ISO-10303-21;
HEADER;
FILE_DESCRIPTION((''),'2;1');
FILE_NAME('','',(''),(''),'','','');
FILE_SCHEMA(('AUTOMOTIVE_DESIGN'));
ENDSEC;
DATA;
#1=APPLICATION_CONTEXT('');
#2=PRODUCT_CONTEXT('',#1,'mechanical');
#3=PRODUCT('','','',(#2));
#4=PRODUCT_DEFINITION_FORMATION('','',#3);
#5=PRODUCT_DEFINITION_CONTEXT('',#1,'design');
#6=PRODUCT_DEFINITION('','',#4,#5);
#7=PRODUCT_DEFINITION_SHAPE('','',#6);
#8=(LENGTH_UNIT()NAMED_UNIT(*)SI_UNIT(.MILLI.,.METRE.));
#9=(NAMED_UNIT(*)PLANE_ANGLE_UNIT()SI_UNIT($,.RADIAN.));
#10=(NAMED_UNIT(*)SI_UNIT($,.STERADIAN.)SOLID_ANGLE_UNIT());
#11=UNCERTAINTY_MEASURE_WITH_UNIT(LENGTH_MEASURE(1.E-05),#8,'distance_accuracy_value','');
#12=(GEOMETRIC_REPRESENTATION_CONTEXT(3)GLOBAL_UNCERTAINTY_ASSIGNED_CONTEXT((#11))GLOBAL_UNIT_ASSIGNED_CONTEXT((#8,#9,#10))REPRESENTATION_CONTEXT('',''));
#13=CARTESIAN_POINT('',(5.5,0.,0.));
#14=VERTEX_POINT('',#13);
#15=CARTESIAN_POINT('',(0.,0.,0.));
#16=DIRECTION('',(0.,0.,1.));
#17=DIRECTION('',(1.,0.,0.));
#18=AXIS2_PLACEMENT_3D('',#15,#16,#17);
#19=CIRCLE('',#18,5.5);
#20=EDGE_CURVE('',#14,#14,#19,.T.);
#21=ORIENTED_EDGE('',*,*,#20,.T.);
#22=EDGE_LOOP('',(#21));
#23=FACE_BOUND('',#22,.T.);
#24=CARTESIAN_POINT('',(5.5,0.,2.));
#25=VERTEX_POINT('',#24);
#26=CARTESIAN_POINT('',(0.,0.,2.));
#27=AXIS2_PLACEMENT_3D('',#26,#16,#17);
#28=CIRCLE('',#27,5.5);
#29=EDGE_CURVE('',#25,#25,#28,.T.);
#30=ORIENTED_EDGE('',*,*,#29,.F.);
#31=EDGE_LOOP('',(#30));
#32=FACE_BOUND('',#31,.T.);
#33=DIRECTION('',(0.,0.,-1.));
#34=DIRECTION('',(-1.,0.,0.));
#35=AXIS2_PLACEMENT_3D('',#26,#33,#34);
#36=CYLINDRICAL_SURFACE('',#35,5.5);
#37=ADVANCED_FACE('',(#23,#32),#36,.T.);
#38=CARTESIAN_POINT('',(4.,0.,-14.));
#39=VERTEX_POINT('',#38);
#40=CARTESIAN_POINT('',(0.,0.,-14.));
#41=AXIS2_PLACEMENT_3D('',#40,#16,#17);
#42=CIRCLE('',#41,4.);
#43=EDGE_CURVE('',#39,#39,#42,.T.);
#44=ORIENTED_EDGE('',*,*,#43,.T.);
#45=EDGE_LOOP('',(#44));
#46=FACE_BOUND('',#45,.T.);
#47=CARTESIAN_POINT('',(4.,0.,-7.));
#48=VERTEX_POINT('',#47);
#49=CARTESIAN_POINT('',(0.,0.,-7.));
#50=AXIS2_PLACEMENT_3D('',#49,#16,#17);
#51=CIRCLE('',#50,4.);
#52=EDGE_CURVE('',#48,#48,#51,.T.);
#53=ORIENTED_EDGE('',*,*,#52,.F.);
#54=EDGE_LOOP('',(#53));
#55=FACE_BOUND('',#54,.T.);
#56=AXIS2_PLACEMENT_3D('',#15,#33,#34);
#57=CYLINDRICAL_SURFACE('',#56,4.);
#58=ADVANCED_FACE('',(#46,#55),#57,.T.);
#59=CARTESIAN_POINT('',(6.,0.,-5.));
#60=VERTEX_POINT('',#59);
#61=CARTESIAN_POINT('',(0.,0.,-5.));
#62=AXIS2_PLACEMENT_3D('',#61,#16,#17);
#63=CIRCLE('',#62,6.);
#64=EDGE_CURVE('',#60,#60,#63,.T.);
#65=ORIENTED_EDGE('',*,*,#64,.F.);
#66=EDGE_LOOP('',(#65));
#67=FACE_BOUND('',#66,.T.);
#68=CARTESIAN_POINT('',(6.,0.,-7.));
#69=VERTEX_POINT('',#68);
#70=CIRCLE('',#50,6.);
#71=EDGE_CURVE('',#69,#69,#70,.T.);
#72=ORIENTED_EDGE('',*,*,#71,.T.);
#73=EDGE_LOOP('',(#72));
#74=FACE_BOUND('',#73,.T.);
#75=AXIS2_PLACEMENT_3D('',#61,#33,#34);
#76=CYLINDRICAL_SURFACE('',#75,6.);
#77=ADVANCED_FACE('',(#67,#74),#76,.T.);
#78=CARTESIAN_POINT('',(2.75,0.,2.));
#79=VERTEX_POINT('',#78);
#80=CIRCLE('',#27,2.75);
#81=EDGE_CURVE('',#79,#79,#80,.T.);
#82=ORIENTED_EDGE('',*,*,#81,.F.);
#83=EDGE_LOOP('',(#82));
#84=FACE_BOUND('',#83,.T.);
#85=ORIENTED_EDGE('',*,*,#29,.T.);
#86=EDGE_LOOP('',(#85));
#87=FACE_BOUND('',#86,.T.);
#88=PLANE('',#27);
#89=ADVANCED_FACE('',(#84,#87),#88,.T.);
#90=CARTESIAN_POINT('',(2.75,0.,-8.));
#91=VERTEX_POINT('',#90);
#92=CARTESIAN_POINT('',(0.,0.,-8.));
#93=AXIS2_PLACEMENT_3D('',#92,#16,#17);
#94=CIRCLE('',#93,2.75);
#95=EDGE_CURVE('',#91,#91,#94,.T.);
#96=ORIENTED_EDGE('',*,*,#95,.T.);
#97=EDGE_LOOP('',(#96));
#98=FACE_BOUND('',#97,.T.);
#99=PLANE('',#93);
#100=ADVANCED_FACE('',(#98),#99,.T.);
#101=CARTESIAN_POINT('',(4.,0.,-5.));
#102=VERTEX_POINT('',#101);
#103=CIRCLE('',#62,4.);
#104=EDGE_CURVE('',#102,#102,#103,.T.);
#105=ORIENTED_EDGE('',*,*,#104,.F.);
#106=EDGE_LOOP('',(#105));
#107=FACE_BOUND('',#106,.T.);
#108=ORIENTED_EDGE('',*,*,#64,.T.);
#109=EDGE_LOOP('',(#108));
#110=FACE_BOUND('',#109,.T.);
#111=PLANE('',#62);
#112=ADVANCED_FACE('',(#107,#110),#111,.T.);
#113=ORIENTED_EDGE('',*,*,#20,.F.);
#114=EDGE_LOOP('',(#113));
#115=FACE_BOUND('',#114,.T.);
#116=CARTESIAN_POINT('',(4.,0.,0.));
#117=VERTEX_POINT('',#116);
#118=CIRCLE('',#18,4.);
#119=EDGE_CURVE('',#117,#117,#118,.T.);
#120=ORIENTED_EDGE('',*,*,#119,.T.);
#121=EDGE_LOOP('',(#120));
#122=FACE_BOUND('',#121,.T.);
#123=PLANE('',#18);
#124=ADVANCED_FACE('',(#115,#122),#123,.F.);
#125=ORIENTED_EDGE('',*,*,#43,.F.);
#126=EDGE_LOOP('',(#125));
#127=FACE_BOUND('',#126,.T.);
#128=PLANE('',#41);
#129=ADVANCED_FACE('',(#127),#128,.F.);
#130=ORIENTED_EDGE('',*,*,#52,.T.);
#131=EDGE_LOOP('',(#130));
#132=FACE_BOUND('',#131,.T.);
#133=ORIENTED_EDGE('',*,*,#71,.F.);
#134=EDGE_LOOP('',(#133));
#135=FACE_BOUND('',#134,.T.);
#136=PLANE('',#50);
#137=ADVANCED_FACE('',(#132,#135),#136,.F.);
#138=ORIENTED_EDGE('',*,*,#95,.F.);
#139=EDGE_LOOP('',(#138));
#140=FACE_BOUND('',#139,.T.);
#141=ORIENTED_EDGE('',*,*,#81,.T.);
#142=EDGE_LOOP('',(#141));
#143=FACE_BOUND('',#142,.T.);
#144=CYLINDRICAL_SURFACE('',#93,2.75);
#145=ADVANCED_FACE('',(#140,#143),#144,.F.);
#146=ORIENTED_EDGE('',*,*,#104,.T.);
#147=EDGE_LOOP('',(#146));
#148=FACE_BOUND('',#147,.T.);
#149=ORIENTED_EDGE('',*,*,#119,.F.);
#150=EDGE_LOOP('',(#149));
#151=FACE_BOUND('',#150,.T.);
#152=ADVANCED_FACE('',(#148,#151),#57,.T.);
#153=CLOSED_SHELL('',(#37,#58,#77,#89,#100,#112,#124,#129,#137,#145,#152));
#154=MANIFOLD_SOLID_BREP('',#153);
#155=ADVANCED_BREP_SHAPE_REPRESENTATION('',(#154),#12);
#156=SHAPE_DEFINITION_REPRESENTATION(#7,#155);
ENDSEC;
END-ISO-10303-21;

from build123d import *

# Parameters (mm, degrees)
SKETCH1_R    = 5.5
FLANGE_DEPTH = 2
BARREL_START = -14
SKETCH2_R    = 4
BARREL_DEPTH = 14
NUT_START    = -7
SKETCH3_R    = 6
NUT_DEPTH    = 2
SOCKET_START = 2
SKETCH4_R    = 2.75
SOCKET_DEPTH = 10


with BuildPart() as part:
    # Sketch1 → Flange (new body)
    with BuildSketch(Plane.XY):
        Circle(SKETCH1_R)
    extrude(amount=FLANGE_DEPTH)

    # Sketch2 → Barrel (add)
    with BuildSketch(Plane.XY.offset(BARREL_START)):
        Circle(SKETCH2_R)
    extrude(amount=BARREL_DEPTH)

    # Sketch3 → Nut (add)
    with BuildSketch(Plane.XY.offset(NUT_START)):
        Circle(SKETCH3_R)
    extrude(amount=NUT_DEPTH)

    # Sketch4 → Socket (cut)
    with BuildSketch(Plane.XY.offset(SOCKET_START)):
        Circle(SKETCH4_R)
    extrude(amount=-SOCKET_DEPTH, mode=Mode.SUBTRACT)


solid = part.part
